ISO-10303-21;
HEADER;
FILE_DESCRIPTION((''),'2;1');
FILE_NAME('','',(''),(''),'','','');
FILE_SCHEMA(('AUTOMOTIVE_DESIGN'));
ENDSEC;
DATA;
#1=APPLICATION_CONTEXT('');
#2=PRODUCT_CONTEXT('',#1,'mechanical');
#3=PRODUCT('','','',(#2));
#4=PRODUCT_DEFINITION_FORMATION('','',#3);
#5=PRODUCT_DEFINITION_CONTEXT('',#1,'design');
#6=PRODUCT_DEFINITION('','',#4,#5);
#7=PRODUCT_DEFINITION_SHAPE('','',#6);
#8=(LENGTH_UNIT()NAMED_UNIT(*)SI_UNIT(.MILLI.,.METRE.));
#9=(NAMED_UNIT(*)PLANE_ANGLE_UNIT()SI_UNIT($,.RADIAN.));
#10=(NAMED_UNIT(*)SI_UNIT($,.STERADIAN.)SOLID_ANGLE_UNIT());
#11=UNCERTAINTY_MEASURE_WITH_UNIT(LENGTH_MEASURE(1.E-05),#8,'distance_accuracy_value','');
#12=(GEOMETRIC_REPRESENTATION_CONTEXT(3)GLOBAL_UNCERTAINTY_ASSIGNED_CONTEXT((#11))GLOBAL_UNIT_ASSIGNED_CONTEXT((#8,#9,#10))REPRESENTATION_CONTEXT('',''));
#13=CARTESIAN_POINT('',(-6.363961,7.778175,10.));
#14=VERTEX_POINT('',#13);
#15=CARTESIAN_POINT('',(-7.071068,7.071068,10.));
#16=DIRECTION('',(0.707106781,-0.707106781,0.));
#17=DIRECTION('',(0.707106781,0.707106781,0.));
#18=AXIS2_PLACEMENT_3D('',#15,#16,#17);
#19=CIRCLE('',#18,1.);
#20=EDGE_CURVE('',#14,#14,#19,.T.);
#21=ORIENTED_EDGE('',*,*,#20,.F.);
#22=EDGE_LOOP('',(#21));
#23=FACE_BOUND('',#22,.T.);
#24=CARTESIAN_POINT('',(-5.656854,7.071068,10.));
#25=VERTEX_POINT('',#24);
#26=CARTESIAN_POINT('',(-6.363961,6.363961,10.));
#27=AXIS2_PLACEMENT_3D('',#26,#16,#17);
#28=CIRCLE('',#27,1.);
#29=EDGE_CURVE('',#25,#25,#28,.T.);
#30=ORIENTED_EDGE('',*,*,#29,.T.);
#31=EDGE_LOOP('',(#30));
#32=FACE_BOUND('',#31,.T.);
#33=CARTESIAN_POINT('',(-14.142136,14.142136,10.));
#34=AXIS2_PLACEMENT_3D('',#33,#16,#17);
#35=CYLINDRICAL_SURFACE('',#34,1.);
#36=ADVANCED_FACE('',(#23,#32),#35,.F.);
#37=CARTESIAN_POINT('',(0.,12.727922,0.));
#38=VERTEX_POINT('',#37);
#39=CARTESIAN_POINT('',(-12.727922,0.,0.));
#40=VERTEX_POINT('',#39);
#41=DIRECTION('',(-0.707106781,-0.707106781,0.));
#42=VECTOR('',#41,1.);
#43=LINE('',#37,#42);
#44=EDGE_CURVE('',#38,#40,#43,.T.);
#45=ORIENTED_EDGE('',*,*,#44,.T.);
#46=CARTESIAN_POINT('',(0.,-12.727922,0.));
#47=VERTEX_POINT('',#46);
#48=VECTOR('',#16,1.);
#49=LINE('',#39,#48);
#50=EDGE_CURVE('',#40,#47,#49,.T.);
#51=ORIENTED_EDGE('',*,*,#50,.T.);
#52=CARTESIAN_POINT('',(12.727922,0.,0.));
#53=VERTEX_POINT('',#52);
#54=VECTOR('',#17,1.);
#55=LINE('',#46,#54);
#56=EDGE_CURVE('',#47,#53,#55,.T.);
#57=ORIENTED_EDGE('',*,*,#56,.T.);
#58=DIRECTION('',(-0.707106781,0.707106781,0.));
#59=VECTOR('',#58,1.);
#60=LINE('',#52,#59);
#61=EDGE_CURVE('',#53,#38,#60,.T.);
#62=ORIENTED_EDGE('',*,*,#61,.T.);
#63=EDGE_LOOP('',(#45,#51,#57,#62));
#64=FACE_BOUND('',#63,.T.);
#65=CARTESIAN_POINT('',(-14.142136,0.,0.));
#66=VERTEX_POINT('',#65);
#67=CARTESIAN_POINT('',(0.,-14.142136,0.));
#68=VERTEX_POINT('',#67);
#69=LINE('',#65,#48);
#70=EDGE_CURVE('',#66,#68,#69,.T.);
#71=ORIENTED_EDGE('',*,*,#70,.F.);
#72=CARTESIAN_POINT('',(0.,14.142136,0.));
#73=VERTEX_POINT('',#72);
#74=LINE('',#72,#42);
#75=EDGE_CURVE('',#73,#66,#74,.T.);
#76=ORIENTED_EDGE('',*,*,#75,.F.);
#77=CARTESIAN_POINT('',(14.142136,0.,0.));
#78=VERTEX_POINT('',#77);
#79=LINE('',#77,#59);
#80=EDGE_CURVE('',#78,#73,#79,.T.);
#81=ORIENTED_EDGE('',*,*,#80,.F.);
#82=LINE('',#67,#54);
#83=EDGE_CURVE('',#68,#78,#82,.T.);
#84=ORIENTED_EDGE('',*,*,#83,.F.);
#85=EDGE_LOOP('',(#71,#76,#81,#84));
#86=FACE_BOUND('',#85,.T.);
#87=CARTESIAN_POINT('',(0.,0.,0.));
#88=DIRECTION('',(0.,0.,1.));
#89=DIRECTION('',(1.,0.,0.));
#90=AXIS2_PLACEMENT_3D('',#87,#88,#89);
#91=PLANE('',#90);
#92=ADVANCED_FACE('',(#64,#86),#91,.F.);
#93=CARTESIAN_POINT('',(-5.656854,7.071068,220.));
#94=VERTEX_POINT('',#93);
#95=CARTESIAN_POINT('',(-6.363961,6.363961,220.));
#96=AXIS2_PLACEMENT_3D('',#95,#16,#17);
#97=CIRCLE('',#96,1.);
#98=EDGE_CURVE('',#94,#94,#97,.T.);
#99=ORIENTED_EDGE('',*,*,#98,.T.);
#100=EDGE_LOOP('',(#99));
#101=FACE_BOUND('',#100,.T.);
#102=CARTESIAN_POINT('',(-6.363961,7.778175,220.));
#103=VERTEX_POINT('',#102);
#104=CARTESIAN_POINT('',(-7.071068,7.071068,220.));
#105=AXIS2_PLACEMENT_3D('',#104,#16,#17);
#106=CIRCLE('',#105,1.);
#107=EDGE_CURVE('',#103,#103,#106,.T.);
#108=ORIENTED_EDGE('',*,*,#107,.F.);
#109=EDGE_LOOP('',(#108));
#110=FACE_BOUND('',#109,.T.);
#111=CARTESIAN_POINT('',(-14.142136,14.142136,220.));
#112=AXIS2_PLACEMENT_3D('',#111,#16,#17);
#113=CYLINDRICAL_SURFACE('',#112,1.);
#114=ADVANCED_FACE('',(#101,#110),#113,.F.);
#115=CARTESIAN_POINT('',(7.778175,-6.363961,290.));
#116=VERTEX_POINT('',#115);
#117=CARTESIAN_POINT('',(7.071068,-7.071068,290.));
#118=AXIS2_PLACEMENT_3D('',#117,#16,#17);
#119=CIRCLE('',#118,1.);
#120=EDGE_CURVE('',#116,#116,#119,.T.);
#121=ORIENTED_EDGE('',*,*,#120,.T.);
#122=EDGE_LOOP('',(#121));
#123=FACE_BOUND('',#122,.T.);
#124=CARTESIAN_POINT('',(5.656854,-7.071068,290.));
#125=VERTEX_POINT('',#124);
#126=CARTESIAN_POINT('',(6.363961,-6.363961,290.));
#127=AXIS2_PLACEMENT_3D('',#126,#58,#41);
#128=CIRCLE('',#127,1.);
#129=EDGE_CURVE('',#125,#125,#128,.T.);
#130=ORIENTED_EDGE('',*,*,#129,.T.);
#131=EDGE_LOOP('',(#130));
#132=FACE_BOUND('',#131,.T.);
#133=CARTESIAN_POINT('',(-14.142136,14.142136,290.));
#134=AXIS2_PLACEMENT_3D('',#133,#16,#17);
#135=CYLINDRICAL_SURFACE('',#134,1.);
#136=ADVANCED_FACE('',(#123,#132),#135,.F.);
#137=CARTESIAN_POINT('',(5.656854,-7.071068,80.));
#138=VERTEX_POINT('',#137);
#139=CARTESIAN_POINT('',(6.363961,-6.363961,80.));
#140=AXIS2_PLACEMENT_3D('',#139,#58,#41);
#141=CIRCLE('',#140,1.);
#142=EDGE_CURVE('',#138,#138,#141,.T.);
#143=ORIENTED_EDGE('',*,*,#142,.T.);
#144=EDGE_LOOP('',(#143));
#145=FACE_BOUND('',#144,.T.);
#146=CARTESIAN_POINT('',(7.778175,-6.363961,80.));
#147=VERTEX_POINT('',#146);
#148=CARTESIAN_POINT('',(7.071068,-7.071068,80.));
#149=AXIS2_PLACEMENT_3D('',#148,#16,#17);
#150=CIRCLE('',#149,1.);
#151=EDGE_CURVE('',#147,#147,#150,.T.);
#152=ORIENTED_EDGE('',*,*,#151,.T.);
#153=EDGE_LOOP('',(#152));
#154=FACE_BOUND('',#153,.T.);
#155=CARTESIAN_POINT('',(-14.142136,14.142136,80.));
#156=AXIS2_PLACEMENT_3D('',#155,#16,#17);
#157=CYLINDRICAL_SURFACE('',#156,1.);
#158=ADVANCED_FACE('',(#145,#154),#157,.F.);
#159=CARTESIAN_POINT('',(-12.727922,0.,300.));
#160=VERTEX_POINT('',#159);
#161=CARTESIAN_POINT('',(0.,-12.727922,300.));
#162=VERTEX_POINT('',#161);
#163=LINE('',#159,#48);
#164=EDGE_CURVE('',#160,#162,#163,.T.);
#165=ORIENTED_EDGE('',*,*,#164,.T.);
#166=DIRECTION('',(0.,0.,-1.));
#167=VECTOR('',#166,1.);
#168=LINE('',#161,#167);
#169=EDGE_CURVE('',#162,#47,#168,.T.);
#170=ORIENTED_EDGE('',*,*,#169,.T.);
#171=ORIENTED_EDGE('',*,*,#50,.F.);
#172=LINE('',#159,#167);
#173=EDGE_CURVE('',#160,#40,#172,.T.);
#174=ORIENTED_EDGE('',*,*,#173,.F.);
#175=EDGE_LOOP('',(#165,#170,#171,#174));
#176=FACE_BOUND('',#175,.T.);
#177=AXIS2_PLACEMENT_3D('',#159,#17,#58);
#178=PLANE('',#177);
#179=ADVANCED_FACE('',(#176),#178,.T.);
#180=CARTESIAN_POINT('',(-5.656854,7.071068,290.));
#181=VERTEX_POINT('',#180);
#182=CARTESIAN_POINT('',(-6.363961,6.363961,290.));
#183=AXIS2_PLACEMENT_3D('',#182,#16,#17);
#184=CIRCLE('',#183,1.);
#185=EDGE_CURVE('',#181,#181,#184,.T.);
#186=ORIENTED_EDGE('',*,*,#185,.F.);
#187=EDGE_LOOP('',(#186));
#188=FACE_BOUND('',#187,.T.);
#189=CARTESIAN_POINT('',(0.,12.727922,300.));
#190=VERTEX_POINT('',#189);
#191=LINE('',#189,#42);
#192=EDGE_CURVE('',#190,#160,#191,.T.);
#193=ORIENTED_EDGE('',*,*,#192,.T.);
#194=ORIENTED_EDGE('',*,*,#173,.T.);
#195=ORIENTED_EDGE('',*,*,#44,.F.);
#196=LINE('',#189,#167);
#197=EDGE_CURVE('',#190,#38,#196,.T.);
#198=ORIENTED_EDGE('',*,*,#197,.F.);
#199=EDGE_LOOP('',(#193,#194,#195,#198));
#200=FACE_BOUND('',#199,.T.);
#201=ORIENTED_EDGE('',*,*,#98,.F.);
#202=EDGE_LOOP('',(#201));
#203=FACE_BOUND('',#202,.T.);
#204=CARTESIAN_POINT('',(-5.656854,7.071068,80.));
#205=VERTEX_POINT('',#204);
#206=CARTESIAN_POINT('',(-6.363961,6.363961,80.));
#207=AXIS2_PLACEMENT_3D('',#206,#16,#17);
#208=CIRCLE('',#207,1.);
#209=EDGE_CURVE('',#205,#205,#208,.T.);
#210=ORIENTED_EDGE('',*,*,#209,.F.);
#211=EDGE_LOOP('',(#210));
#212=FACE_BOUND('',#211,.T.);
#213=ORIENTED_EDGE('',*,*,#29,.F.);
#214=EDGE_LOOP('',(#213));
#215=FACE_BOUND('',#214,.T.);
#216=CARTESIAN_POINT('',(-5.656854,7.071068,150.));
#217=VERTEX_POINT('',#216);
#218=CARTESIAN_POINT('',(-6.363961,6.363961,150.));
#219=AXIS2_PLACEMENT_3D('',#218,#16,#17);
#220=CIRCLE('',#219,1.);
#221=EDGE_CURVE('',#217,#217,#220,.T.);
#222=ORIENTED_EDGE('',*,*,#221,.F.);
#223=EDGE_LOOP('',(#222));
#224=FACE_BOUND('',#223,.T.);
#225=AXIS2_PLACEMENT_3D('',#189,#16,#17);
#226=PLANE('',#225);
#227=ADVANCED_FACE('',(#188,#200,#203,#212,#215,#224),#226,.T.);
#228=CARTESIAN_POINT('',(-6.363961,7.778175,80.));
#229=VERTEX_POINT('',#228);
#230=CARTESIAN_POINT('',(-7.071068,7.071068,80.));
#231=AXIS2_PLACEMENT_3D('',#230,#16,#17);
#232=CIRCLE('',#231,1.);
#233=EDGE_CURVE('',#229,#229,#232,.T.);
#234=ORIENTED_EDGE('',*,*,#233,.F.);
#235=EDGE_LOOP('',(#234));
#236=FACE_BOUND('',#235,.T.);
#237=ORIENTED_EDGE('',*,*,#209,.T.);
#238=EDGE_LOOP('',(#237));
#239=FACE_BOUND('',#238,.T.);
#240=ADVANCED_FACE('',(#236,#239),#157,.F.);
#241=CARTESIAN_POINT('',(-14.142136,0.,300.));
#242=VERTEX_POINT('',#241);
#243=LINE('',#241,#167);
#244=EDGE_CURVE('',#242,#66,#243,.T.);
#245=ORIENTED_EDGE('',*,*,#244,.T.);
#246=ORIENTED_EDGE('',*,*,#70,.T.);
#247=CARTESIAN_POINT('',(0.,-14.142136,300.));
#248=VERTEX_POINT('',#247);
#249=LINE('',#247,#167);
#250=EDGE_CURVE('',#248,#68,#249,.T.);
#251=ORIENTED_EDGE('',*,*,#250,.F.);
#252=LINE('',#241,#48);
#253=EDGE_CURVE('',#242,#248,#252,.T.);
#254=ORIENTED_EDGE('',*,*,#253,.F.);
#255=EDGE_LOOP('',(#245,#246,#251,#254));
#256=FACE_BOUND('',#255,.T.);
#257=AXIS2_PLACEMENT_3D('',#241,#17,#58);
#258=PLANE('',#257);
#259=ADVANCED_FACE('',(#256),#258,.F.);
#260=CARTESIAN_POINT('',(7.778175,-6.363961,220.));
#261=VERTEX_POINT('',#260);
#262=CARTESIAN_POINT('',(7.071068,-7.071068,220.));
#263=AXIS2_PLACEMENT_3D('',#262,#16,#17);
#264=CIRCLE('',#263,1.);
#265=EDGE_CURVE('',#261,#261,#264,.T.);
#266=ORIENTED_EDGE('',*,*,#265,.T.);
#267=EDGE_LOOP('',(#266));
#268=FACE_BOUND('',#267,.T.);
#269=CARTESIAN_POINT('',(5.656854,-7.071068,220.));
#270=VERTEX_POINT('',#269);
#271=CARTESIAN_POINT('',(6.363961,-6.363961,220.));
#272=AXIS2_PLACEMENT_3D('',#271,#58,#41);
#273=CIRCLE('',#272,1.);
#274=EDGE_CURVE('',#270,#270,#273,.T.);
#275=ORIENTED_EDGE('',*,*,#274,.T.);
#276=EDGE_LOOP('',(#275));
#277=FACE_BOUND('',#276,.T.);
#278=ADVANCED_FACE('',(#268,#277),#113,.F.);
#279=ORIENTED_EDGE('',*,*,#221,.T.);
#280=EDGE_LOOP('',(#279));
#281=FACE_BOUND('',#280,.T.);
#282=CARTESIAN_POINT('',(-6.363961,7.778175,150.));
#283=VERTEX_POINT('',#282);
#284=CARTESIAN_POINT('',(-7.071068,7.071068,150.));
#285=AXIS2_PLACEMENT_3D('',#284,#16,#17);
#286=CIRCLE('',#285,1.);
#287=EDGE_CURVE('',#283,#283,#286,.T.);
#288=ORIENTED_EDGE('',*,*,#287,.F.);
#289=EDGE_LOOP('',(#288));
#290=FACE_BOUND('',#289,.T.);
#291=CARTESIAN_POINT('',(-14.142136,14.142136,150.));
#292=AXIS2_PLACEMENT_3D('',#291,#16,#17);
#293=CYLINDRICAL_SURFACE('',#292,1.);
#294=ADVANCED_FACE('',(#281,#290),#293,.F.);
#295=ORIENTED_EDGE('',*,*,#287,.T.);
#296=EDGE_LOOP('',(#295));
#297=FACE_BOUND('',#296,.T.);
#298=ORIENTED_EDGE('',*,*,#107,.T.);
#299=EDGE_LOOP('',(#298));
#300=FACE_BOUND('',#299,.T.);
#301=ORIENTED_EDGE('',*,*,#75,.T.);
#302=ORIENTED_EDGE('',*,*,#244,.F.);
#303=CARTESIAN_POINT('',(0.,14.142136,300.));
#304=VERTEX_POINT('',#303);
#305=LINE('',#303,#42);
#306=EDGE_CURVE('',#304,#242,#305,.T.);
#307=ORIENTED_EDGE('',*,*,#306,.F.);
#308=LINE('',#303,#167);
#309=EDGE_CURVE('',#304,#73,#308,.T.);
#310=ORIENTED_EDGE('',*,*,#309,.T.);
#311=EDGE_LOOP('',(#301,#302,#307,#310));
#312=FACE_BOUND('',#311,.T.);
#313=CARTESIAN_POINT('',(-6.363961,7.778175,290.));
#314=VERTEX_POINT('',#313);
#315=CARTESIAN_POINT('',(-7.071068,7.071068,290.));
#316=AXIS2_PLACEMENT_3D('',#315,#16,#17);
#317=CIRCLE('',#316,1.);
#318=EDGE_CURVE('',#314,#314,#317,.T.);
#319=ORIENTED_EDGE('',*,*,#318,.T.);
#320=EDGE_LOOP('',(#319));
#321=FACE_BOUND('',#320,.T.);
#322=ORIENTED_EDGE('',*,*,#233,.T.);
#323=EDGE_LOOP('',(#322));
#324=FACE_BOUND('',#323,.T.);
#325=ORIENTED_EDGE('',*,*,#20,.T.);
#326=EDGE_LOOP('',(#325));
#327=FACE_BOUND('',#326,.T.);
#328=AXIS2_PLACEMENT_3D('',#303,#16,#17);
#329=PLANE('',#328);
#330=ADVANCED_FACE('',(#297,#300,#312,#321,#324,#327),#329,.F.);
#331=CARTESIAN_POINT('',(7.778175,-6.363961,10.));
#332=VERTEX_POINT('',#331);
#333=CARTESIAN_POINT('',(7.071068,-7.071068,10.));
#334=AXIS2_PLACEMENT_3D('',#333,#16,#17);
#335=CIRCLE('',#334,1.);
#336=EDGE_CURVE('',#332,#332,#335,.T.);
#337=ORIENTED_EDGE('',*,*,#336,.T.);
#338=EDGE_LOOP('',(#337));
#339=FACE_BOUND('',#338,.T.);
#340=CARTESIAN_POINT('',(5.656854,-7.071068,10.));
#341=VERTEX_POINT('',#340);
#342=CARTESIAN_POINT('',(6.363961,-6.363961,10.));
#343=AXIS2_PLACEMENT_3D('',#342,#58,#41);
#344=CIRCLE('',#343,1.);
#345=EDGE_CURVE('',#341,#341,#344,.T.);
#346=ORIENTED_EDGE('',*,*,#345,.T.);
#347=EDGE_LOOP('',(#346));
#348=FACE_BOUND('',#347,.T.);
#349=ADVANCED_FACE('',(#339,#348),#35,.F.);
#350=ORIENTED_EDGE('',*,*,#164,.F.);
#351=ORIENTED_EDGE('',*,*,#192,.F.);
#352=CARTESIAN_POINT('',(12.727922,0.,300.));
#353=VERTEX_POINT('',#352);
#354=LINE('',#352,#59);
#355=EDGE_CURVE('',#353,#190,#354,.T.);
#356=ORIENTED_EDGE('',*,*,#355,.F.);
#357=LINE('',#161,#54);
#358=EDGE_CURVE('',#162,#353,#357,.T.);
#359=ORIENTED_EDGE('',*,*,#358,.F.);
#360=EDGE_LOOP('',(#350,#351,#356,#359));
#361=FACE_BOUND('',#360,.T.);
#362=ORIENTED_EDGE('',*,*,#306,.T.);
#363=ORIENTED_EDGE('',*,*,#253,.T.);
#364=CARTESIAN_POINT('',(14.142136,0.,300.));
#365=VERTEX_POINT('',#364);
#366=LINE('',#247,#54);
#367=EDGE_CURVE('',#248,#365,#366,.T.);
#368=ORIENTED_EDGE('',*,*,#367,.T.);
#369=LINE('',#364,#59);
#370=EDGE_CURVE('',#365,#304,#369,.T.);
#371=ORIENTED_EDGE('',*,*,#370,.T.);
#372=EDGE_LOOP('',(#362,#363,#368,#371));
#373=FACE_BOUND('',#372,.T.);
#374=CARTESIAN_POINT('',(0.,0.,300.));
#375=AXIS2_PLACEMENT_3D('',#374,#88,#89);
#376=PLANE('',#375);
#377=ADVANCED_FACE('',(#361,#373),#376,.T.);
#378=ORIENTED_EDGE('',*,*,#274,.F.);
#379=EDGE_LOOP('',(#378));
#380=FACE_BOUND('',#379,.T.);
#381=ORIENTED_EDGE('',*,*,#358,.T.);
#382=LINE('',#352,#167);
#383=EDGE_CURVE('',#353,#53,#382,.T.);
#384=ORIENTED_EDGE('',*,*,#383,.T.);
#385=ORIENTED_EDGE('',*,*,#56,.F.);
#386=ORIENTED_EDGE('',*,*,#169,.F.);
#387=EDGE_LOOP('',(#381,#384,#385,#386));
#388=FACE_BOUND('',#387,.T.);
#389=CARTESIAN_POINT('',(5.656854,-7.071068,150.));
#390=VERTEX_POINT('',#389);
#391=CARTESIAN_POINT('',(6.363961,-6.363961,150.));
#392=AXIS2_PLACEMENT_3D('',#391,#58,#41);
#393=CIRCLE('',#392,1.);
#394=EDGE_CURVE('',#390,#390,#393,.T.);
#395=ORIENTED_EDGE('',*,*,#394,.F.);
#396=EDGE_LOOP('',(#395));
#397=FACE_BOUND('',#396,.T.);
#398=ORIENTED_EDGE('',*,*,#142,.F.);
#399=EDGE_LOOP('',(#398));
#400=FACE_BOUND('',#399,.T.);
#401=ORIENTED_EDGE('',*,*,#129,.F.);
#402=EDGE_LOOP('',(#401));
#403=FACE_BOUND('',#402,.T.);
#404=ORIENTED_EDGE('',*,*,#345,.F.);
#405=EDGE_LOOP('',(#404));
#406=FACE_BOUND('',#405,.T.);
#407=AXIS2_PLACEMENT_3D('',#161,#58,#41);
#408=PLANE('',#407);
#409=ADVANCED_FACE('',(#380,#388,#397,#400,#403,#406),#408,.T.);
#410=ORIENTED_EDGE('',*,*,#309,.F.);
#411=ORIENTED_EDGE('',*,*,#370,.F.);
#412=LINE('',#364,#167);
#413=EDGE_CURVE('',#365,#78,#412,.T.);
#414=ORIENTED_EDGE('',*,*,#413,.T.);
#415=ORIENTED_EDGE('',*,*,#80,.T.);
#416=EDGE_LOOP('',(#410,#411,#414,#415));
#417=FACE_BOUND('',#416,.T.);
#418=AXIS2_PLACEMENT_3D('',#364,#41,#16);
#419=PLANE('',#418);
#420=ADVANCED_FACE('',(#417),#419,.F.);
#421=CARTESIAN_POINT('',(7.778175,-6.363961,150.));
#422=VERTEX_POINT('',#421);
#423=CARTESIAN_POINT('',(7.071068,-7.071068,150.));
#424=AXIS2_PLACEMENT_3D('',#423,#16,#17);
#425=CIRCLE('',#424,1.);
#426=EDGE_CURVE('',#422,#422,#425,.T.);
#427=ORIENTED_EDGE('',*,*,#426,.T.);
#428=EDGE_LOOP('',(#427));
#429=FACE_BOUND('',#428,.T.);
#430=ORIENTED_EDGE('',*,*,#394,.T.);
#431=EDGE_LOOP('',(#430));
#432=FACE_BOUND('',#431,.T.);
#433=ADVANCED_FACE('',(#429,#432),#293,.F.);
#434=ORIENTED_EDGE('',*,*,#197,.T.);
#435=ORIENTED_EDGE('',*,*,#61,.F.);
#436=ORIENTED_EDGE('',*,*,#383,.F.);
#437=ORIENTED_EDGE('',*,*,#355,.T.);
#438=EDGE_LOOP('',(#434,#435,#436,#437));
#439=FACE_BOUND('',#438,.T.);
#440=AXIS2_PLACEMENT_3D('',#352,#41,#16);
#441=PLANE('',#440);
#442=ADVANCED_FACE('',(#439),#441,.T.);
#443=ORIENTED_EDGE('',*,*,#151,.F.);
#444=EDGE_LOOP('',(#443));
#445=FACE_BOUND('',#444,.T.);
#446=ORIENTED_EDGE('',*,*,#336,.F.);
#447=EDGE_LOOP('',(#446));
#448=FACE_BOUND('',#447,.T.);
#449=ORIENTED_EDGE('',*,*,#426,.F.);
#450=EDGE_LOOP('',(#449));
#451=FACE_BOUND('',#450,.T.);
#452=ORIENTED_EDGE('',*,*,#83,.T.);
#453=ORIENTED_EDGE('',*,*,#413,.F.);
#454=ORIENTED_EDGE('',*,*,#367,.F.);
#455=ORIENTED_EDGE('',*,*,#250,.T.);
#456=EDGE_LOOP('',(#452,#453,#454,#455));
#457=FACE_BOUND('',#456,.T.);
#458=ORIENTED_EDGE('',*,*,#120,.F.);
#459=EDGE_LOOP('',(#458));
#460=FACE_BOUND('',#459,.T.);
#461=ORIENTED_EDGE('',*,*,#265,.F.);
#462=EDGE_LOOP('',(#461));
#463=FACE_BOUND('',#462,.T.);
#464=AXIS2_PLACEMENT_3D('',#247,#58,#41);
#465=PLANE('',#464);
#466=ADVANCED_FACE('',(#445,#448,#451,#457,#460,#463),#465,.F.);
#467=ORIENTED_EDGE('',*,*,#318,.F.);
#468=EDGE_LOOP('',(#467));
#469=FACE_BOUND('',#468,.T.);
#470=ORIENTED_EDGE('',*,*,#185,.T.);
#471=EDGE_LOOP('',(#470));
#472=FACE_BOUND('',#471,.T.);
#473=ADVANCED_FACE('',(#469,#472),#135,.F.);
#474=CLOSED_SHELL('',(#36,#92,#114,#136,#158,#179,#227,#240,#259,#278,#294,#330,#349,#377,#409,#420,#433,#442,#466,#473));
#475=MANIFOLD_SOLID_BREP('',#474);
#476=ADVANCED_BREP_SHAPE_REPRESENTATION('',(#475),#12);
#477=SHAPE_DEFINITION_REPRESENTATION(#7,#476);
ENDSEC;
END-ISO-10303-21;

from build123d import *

# Parameters (mm, degrees)
EXTRUDE_1_DEPTH     = 300
SKETCH_2_R          = 1
CUT_EXTRUDE_1_DEPTH = 31


with BuildPart() as part:
    # 草图1 → 凸台-拉伸1 (new body)
    with BuildSketch(Plane.XY):
        Polygon((14.142135624, 0), (0, 14.142135624), (-14.142135624, 0), (0, -14.142135624), align=None)
        Polygon((12.727922061, 0), (0, 12.727922061), (-12.727922061, 0), (0, -12.727922061), align=None, mode=Mode.SUBTRACT)
    extrude(amount=EXTRUDE_1_DEPTH)

    # 草图2 → 切除-拉伸1 (cut, through all)
    with BuildSketch(Plane(origin=(7.071067812, -7.071067812, 0), x_dir=(0, 0, -1), z_dir=(0.707106781, -0.707106781, 0))):
        with Locations((-290, 0)):
            Circle(SKETCH_2_R)
        with Locations((-220, 0)):
            Circle(SKETCH_2_R)
        with Locations((-150, 0)):
            Circle(SKETCH_2_R)
        with Locations((-80, 0)):
            Circle(SKETCH_2_R)
        with Locations((-10, 0)):
            Circle(SKETCH_2_R)
    extrude(amount=-CUT_EXTRUDE_1_DEPTH, mode=Mode.SUBTRACT)


solid = part.part
